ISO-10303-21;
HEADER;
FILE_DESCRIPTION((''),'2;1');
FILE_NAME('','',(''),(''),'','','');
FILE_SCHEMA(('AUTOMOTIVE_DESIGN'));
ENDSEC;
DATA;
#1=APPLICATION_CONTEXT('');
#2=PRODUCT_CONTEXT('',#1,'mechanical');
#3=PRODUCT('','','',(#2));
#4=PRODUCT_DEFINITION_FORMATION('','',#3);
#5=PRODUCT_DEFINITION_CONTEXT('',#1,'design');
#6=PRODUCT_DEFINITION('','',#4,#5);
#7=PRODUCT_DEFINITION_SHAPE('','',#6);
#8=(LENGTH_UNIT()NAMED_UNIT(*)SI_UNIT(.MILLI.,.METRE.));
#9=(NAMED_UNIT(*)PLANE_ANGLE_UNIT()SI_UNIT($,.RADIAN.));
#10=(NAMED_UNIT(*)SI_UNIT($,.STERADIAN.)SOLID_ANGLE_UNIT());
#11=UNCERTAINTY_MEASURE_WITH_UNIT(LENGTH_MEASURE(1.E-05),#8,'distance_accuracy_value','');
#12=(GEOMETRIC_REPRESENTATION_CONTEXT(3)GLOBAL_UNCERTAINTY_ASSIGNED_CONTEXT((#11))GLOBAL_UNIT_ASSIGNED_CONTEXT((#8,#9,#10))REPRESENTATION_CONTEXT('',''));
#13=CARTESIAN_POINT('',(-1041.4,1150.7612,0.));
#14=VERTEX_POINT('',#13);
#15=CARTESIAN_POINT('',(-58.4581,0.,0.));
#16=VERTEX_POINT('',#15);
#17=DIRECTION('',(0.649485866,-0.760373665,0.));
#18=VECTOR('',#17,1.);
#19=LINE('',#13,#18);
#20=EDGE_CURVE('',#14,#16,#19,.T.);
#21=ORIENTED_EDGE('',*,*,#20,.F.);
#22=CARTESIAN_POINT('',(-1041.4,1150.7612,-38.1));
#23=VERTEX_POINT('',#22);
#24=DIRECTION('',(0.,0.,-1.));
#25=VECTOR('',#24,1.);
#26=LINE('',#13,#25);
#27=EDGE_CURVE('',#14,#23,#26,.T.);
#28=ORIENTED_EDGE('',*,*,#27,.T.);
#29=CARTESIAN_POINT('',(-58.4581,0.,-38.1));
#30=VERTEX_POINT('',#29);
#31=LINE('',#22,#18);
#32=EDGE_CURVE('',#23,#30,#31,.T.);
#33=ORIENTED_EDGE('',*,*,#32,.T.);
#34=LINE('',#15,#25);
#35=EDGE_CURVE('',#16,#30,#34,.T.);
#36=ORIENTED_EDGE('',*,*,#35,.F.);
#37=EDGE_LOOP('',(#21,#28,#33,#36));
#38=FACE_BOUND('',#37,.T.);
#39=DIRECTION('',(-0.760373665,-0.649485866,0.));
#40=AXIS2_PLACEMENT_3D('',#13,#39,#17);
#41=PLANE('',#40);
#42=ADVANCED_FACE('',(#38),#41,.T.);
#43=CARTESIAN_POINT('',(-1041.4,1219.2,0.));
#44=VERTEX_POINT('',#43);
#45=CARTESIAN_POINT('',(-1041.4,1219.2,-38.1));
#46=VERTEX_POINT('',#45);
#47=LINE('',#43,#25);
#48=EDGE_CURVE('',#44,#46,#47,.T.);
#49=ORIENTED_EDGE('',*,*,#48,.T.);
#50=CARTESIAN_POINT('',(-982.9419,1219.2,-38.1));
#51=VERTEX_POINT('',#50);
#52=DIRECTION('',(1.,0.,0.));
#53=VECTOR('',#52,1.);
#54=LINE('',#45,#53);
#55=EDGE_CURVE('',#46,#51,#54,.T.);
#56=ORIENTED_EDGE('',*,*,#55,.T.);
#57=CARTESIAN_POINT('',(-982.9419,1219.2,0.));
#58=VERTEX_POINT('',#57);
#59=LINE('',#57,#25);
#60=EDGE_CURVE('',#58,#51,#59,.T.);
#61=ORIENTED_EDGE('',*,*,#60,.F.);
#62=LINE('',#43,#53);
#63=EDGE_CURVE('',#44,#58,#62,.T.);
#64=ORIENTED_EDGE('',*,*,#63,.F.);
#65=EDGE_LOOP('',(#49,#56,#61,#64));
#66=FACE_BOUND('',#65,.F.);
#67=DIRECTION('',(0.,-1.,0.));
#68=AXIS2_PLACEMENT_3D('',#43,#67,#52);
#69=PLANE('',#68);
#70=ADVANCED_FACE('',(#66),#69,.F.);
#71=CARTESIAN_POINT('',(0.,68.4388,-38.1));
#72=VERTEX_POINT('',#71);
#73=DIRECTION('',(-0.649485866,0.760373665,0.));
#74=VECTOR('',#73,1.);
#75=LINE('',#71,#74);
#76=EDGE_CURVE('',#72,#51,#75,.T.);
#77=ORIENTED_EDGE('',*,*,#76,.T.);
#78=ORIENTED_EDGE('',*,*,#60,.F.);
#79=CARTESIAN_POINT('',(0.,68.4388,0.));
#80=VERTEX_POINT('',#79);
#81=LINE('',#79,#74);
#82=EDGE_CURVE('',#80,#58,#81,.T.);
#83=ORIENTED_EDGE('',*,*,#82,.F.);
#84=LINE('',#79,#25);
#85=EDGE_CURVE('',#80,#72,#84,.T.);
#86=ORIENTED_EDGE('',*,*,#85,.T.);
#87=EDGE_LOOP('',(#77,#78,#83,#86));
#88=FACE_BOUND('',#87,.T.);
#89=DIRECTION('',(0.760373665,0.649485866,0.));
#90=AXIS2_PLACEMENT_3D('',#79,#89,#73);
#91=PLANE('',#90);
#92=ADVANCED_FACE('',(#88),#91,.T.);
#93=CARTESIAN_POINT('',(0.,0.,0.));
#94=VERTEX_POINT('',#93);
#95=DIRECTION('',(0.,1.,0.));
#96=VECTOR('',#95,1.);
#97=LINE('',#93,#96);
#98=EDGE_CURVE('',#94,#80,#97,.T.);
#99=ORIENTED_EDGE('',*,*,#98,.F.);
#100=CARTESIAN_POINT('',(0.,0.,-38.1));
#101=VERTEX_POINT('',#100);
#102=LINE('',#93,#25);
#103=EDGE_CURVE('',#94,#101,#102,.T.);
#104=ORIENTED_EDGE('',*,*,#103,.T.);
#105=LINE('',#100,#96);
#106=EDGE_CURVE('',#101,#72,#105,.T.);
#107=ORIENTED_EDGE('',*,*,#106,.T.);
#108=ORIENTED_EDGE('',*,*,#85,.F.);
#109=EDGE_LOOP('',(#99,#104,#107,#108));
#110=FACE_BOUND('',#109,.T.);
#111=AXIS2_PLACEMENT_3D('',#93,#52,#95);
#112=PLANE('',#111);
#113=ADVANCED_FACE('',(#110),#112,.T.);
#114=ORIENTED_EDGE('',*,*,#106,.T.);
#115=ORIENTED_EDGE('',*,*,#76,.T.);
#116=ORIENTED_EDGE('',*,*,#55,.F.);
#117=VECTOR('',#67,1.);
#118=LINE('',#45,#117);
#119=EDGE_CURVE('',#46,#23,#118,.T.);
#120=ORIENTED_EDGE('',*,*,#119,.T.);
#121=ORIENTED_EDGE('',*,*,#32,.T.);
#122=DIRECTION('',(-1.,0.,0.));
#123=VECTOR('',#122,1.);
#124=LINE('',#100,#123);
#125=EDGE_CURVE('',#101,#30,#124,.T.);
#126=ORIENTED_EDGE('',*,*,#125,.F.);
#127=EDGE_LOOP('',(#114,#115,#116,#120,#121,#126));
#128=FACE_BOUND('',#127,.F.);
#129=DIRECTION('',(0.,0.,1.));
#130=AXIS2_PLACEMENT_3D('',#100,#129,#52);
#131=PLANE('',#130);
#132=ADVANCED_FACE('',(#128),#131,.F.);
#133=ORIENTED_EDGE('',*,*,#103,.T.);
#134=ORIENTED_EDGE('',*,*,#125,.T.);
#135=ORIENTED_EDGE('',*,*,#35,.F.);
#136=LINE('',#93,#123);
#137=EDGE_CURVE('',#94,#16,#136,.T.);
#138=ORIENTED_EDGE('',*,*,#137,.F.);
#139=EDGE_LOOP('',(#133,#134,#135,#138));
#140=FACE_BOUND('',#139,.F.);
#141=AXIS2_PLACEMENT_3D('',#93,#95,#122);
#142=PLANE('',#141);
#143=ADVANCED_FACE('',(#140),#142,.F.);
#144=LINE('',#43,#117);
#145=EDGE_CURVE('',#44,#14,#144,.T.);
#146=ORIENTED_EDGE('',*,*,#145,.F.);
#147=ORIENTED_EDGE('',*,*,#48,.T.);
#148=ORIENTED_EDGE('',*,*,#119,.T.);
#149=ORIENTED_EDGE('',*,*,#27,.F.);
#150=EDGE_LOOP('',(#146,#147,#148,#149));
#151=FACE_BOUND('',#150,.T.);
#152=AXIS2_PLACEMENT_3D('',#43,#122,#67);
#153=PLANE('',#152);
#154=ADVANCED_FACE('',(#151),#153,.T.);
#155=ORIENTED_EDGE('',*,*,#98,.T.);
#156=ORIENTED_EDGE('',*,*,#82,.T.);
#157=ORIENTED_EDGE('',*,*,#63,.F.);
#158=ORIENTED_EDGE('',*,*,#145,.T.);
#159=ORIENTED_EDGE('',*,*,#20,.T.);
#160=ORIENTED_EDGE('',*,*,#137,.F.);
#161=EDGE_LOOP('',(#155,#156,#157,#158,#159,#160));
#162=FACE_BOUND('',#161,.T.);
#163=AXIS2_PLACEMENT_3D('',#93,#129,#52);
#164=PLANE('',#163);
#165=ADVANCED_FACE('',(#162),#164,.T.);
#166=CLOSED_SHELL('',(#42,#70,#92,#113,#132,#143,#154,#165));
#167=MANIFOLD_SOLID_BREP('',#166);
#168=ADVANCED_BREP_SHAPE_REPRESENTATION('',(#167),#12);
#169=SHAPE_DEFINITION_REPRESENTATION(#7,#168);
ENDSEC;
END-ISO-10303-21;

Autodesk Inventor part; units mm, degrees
ref_plane "YZ Plane" through (0, 0, 0) normal (1, 0, 0) x (0, 1, 0)
ref_plane "XZ Plane" through (0, 0, 0) normal (0, 1, 0) x (-1, 0, 0)
ref_plane "XY Plane" through (0, 0, 0) normal (0, 0, 1) x (1, 0, 0)
sketch "Sketch1" plane through (0, 0, 0) normal (0, 0, 1) x (1, 0, 0)
  line L0 (-1041.4, 1219.2) -> (-1041.4, 0) projected
  line L1 (-1041.4, 1219.2) -> (0, 1219.2) projected
  line L2 (0, 0) -> (0, 1219.2) projected
  line L3 (0, 0) -> (-1041.4, 0) projected
  line L4 (0, 0) -> (0, 68.4388)
  line L5 (0, 68.4388) -> (-982.9419, 1219.2)
  line L6 (-982.9419, 1219.2) -> (-1041.4, 1219.2)
  line L7 (-1041.4, 1219.2) -> (-1041.4, 1150.7612)
  line L8 (-1041.4, 1150.7612) -> (-58.4581, 0)
  line L9 (-58.4581, 0) -> (0, 0)
extrude "Extrusion1" add sketch "Sketch1" against normal blind 38.1 contours L1 L5 L2 L3 L8 L0
properties part number "S_2x4x44"
